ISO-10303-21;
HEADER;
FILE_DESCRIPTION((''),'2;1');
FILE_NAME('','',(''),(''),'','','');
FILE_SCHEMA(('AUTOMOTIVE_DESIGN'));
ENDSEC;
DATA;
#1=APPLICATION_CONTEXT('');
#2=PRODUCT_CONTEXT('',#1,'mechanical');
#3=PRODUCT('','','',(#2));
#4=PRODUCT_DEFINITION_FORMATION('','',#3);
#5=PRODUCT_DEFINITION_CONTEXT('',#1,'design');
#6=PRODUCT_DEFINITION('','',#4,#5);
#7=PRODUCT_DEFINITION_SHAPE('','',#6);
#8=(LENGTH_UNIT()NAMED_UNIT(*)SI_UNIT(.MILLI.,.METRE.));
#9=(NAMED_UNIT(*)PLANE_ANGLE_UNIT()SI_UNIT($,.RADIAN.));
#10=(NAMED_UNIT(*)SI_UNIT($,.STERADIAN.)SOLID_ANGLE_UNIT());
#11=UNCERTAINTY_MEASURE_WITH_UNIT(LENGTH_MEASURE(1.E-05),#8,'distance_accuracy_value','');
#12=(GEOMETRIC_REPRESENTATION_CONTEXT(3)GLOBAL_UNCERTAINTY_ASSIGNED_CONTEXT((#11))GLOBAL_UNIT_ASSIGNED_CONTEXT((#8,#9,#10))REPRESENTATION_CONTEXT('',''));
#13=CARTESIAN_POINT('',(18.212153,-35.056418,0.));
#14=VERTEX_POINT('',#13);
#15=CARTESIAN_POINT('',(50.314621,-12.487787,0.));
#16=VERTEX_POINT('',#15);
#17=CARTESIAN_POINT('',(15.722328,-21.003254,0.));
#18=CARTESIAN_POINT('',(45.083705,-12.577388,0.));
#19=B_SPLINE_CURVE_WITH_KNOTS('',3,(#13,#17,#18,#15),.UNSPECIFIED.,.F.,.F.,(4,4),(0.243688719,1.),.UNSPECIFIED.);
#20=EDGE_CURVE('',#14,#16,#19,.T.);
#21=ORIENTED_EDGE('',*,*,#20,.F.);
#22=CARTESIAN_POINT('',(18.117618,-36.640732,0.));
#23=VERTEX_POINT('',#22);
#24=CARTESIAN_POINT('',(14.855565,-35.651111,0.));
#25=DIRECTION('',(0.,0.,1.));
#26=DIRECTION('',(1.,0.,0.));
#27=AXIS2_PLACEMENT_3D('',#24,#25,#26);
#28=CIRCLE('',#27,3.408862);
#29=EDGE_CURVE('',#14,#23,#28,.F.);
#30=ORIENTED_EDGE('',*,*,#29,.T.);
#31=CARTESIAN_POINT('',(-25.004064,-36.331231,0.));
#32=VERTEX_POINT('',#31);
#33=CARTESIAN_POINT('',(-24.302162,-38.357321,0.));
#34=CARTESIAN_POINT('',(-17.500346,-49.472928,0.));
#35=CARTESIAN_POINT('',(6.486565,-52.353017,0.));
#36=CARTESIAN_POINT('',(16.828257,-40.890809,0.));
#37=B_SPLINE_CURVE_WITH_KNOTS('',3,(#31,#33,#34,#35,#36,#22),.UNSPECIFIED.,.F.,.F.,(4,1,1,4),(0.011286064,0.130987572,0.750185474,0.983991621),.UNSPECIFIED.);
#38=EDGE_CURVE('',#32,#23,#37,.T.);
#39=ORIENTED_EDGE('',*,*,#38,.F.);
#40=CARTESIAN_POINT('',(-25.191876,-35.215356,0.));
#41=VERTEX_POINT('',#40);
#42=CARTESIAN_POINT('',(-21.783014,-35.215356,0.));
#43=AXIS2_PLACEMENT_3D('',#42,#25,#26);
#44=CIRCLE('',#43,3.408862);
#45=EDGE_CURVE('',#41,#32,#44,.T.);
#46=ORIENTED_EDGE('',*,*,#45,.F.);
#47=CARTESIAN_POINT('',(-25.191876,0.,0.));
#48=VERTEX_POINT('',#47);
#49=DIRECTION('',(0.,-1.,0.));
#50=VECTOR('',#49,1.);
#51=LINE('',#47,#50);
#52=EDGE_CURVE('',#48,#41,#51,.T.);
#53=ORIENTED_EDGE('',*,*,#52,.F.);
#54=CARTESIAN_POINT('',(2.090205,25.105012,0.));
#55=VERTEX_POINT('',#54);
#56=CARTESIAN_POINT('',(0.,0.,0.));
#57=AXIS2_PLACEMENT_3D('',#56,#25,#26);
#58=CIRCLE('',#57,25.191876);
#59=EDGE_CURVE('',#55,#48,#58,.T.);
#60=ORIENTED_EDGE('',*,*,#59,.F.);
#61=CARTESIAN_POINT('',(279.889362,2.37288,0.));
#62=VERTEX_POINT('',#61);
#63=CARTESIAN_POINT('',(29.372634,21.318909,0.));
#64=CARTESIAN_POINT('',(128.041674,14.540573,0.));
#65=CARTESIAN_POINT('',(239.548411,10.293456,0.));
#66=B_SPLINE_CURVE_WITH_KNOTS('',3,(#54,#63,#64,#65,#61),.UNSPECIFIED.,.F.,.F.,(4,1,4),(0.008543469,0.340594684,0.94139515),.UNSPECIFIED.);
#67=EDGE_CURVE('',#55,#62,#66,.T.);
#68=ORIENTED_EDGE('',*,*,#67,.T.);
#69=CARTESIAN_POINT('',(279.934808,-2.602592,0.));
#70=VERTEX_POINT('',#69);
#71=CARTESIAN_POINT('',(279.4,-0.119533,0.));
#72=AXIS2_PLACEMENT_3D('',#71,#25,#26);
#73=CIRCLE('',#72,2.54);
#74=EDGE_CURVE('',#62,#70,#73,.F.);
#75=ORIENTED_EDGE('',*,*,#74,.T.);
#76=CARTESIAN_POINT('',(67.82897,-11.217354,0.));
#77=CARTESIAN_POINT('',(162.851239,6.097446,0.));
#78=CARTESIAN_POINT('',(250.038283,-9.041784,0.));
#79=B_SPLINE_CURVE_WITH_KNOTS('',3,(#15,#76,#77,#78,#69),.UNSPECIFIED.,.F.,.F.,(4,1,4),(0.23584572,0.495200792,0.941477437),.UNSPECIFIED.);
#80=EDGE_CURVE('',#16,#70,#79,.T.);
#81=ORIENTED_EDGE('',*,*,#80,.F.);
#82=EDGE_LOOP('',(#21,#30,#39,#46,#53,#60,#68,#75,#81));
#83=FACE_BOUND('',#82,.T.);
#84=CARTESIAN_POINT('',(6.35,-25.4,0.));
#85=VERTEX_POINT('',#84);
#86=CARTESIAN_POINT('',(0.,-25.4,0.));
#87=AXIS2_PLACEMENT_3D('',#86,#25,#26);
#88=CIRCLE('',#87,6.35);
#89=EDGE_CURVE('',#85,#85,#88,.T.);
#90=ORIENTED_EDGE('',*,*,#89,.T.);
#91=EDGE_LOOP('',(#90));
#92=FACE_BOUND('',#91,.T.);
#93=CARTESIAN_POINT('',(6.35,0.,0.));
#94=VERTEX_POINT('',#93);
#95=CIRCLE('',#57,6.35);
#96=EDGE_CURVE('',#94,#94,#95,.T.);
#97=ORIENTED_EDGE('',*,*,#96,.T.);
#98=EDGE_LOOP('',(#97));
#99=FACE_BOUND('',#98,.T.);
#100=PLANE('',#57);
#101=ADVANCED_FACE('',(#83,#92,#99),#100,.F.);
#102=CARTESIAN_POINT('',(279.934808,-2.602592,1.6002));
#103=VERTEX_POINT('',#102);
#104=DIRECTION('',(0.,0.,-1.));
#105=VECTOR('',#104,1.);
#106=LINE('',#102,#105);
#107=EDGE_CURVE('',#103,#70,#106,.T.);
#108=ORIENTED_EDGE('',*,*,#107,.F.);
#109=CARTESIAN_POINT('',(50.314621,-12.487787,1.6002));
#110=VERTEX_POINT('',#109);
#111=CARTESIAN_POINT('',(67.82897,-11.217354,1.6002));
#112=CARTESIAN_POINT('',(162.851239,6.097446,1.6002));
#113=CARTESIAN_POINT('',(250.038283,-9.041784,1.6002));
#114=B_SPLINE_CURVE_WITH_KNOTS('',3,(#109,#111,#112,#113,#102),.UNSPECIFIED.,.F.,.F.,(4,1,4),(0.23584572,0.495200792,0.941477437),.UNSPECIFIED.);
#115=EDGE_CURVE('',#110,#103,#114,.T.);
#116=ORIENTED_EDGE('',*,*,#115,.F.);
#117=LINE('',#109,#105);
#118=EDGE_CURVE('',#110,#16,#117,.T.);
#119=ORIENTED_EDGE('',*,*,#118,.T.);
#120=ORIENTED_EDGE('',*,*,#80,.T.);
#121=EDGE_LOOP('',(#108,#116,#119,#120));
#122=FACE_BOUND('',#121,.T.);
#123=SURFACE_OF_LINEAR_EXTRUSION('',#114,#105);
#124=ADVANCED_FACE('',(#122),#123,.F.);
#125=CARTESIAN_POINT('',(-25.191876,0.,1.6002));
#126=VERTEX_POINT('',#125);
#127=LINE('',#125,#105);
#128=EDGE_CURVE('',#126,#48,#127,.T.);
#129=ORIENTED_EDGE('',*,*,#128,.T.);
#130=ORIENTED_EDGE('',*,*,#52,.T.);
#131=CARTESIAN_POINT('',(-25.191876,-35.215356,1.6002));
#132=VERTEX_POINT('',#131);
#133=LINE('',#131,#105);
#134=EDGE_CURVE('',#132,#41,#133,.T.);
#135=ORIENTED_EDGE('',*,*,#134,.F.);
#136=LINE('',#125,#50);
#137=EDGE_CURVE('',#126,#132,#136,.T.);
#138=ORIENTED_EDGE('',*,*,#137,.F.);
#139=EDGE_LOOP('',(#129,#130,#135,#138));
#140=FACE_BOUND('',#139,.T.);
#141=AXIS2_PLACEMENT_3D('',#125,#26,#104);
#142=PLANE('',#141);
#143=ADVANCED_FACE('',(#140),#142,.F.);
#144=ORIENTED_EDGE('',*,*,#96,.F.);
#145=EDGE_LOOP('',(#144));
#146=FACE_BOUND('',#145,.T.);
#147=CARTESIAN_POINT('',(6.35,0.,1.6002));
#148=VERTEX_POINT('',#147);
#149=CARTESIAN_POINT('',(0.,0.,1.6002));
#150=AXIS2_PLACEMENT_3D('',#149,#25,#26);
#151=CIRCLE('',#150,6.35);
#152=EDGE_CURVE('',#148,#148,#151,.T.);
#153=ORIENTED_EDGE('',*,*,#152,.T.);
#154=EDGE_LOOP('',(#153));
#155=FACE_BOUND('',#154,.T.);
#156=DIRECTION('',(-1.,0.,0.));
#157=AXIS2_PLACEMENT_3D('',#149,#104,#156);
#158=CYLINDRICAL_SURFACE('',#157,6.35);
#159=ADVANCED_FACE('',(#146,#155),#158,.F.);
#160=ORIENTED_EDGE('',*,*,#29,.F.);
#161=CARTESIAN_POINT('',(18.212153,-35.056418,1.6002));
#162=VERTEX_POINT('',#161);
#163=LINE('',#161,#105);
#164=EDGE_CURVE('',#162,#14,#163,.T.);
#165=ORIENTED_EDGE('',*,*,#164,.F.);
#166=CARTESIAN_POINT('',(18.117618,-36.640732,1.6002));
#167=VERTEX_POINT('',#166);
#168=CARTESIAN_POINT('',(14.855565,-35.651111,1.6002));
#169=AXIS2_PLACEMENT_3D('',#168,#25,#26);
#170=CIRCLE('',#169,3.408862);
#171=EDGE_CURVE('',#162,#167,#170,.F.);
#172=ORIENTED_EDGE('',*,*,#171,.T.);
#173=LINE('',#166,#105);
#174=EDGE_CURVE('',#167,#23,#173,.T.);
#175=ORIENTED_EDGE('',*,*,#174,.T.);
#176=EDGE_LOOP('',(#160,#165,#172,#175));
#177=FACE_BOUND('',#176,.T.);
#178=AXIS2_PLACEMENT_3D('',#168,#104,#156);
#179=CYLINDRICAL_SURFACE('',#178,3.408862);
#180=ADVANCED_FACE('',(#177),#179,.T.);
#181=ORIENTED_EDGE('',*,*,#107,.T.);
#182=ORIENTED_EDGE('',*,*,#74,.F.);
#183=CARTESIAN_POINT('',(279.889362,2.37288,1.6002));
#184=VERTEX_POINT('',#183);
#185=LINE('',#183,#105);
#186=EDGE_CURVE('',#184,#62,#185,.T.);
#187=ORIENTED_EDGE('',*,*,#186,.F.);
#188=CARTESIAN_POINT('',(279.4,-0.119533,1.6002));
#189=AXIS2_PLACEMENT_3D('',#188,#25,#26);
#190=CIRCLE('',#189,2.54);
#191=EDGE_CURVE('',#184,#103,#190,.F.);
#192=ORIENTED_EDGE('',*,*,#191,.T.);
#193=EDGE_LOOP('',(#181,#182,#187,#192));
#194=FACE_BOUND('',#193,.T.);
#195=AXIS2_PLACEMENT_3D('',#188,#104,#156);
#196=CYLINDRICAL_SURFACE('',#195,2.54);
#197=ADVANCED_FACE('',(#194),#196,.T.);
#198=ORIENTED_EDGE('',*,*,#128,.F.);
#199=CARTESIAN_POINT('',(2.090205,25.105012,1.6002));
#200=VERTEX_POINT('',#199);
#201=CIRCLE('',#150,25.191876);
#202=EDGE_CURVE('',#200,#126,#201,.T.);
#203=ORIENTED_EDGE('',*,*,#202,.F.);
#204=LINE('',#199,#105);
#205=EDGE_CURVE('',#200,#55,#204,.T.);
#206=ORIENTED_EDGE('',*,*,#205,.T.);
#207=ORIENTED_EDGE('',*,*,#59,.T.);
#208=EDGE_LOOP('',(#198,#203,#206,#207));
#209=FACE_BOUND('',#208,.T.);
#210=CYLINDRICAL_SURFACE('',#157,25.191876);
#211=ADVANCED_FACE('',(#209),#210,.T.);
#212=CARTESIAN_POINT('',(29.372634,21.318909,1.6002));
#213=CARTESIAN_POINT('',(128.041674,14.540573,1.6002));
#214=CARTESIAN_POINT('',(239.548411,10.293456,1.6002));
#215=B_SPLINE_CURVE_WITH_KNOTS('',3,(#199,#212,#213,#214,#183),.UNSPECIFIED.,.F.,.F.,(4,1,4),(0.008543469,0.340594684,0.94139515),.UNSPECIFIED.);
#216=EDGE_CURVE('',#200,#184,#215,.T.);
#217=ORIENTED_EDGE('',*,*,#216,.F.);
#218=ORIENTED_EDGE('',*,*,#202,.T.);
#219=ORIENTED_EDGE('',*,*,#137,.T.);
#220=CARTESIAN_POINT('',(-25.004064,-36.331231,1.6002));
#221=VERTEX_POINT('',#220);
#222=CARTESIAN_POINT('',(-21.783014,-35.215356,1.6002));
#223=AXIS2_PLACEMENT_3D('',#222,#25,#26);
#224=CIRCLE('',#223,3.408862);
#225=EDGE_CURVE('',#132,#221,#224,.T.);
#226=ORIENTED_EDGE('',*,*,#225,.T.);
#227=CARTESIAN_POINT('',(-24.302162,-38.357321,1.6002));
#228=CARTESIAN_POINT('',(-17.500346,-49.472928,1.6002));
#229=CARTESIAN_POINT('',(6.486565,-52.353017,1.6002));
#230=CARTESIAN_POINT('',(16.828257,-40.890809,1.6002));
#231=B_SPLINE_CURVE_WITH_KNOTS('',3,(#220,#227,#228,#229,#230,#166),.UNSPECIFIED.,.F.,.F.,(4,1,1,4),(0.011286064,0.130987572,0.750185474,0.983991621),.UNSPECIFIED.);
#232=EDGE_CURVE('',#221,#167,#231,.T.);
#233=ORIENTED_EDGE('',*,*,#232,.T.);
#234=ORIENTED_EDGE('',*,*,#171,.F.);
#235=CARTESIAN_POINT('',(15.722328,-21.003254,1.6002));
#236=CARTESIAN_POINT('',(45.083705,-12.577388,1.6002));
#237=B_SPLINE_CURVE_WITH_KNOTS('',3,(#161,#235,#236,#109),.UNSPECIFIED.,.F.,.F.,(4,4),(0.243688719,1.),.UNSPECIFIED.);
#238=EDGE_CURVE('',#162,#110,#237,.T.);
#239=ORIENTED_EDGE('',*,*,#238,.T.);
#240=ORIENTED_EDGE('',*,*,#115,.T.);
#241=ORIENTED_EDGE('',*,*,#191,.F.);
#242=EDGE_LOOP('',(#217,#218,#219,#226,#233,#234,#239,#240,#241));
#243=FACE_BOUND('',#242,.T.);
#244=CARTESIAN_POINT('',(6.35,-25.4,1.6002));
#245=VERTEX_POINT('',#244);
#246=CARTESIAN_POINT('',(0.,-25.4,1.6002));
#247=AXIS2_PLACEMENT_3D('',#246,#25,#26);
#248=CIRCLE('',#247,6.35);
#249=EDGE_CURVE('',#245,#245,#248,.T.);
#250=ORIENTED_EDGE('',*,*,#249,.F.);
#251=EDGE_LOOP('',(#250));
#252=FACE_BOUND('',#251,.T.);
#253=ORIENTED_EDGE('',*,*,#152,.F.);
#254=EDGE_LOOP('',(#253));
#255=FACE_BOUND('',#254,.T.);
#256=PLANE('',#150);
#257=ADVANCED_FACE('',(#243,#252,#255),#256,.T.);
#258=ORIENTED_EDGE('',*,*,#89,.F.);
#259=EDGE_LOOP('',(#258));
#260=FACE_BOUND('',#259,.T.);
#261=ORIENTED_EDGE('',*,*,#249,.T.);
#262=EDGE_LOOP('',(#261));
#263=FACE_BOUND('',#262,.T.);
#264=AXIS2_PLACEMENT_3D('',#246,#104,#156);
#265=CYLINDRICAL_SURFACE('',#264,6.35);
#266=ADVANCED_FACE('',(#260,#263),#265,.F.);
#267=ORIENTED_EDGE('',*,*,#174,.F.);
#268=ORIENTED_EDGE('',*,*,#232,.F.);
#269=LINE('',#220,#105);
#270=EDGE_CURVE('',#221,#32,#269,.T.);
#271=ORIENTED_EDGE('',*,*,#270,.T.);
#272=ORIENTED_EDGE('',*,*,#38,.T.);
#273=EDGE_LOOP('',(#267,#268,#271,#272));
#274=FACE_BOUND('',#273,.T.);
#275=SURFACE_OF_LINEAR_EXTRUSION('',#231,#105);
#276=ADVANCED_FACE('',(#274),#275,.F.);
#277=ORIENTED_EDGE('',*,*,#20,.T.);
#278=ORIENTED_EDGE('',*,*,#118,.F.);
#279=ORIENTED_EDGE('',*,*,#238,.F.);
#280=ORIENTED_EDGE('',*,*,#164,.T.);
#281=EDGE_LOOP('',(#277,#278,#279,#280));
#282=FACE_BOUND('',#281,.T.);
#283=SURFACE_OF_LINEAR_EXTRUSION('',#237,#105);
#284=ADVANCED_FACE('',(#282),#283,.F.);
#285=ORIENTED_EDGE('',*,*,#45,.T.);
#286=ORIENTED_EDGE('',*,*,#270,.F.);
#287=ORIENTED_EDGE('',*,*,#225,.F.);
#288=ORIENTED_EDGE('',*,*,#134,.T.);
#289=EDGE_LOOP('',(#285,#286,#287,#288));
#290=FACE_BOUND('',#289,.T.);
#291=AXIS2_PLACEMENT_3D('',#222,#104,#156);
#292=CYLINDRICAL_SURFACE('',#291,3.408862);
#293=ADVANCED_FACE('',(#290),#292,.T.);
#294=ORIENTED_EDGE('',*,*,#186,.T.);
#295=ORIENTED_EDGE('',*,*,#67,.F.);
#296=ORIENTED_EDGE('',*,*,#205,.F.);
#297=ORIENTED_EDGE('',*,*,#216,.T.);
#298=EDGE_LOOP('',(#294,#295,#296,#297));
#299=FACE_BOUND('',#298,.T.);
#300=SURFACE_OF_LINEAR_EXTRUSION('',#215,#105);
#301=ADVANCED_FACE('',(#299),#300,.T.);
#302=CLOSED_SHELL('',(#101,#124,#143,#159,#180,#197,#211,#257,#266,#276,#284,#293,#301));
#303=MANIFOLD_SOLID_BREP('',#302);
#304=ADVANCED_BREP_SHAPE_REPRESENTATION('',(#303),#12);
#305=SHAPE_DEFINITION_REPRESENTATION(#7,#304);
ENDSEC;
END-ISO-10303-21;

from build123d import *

# Parameters (mm, degrees)
SKETCH1_R           = 6.35
BOSS_EXTRUDE1_DEPTH = 1.6002


with BuildPart() as part:
    # Sketch1 → Boss-Extrude1 (new body)
    with BuildSketch(Plane.XY):
        with BuildLine():
            Line((-25.191875828, 0), (-25.191875828, -35.215356132))
            ThreePointArc((-25.191875828, -35.215356132), (-25.144594979, -35.781140778), (-25.004063999, -36.331230578))
            add(Edge.make_bspline(
                [(-25.004063999, -36.331230578), (-24.302161584, -38.357321078), (-17.500345693, -49.472928078), (6.486565439, -52.353017034), (16.828257208, -40.890808587), (18.117618202, -36.640731795)],
                knots=[0.011286064, 0.011286064, 0.011286064, 0.011286064, 0.130987572, 0.750185474, 0.983991621, 0.983991621, 0.983991621, 0.983991621], degree=3))
            ThreePointArc((18.117618202, -36.640731795), (18.258374718, -35.854153527), (18.212152653, -35.056418427))
            add(Edge.make_bspline(
                [(18.212152653, -35.056418427), (15.722327617, -21.003254002), (45.083704914, -12.577387864), (50.314621311, -12.487786805)],
                knots=[0.243688719, 0.243688719, 0.243688719, 0.243688719, 1, 1, 1, 1], degree=3))
            add(Edge.make_bspline(
                [(50.314621311, -12.487786805), (67.828969762, -11.217353563), (162.851239243, 6.097445829), (250.038282618, -9.041784468), (279.934807735, -2.602592093)],
                knots=[0.23584572, 0.23584572, 0.23584572, 0.23584572, 0.495200792, 0.941477437, 0.941477437, 0.941477437, 0.941477437], degree=3))
            ThreePointArc((279.934807735, -2.602592093), (281.939894054, -0.09633433), (279.889362488, 2.372880002))
            add(Edge.make_bspline(
                [(2.090204907, 25.105012471), (29.372633882, 21.318909318), (128.041674084, 14.540572725), (239.548411309, 10.293455518), (279.889362488, 2.372880002)],
                knots=[0.008543469, 0.008543469, 0.008543469, 0.008543469, 0.340594684, 0.94139515, 0.94139515, 0.94139515, 0.94139515], degree=3))
            ThreePointArc((2.090204907, 25.105012471), (-17.058347301, 18.537621075), (-25.191875828, 0))
        make_face()
        with Locations((0, -25.4)):
            Circle(SKETCH1_R, mode=Mode.SUBTRACT)
        Circle(SKETCH1_R, mode=Mode.SUBTRACT)
    extrude(amount=BOSS_EXTRUDE1_DEPTH)


solid = part.part
